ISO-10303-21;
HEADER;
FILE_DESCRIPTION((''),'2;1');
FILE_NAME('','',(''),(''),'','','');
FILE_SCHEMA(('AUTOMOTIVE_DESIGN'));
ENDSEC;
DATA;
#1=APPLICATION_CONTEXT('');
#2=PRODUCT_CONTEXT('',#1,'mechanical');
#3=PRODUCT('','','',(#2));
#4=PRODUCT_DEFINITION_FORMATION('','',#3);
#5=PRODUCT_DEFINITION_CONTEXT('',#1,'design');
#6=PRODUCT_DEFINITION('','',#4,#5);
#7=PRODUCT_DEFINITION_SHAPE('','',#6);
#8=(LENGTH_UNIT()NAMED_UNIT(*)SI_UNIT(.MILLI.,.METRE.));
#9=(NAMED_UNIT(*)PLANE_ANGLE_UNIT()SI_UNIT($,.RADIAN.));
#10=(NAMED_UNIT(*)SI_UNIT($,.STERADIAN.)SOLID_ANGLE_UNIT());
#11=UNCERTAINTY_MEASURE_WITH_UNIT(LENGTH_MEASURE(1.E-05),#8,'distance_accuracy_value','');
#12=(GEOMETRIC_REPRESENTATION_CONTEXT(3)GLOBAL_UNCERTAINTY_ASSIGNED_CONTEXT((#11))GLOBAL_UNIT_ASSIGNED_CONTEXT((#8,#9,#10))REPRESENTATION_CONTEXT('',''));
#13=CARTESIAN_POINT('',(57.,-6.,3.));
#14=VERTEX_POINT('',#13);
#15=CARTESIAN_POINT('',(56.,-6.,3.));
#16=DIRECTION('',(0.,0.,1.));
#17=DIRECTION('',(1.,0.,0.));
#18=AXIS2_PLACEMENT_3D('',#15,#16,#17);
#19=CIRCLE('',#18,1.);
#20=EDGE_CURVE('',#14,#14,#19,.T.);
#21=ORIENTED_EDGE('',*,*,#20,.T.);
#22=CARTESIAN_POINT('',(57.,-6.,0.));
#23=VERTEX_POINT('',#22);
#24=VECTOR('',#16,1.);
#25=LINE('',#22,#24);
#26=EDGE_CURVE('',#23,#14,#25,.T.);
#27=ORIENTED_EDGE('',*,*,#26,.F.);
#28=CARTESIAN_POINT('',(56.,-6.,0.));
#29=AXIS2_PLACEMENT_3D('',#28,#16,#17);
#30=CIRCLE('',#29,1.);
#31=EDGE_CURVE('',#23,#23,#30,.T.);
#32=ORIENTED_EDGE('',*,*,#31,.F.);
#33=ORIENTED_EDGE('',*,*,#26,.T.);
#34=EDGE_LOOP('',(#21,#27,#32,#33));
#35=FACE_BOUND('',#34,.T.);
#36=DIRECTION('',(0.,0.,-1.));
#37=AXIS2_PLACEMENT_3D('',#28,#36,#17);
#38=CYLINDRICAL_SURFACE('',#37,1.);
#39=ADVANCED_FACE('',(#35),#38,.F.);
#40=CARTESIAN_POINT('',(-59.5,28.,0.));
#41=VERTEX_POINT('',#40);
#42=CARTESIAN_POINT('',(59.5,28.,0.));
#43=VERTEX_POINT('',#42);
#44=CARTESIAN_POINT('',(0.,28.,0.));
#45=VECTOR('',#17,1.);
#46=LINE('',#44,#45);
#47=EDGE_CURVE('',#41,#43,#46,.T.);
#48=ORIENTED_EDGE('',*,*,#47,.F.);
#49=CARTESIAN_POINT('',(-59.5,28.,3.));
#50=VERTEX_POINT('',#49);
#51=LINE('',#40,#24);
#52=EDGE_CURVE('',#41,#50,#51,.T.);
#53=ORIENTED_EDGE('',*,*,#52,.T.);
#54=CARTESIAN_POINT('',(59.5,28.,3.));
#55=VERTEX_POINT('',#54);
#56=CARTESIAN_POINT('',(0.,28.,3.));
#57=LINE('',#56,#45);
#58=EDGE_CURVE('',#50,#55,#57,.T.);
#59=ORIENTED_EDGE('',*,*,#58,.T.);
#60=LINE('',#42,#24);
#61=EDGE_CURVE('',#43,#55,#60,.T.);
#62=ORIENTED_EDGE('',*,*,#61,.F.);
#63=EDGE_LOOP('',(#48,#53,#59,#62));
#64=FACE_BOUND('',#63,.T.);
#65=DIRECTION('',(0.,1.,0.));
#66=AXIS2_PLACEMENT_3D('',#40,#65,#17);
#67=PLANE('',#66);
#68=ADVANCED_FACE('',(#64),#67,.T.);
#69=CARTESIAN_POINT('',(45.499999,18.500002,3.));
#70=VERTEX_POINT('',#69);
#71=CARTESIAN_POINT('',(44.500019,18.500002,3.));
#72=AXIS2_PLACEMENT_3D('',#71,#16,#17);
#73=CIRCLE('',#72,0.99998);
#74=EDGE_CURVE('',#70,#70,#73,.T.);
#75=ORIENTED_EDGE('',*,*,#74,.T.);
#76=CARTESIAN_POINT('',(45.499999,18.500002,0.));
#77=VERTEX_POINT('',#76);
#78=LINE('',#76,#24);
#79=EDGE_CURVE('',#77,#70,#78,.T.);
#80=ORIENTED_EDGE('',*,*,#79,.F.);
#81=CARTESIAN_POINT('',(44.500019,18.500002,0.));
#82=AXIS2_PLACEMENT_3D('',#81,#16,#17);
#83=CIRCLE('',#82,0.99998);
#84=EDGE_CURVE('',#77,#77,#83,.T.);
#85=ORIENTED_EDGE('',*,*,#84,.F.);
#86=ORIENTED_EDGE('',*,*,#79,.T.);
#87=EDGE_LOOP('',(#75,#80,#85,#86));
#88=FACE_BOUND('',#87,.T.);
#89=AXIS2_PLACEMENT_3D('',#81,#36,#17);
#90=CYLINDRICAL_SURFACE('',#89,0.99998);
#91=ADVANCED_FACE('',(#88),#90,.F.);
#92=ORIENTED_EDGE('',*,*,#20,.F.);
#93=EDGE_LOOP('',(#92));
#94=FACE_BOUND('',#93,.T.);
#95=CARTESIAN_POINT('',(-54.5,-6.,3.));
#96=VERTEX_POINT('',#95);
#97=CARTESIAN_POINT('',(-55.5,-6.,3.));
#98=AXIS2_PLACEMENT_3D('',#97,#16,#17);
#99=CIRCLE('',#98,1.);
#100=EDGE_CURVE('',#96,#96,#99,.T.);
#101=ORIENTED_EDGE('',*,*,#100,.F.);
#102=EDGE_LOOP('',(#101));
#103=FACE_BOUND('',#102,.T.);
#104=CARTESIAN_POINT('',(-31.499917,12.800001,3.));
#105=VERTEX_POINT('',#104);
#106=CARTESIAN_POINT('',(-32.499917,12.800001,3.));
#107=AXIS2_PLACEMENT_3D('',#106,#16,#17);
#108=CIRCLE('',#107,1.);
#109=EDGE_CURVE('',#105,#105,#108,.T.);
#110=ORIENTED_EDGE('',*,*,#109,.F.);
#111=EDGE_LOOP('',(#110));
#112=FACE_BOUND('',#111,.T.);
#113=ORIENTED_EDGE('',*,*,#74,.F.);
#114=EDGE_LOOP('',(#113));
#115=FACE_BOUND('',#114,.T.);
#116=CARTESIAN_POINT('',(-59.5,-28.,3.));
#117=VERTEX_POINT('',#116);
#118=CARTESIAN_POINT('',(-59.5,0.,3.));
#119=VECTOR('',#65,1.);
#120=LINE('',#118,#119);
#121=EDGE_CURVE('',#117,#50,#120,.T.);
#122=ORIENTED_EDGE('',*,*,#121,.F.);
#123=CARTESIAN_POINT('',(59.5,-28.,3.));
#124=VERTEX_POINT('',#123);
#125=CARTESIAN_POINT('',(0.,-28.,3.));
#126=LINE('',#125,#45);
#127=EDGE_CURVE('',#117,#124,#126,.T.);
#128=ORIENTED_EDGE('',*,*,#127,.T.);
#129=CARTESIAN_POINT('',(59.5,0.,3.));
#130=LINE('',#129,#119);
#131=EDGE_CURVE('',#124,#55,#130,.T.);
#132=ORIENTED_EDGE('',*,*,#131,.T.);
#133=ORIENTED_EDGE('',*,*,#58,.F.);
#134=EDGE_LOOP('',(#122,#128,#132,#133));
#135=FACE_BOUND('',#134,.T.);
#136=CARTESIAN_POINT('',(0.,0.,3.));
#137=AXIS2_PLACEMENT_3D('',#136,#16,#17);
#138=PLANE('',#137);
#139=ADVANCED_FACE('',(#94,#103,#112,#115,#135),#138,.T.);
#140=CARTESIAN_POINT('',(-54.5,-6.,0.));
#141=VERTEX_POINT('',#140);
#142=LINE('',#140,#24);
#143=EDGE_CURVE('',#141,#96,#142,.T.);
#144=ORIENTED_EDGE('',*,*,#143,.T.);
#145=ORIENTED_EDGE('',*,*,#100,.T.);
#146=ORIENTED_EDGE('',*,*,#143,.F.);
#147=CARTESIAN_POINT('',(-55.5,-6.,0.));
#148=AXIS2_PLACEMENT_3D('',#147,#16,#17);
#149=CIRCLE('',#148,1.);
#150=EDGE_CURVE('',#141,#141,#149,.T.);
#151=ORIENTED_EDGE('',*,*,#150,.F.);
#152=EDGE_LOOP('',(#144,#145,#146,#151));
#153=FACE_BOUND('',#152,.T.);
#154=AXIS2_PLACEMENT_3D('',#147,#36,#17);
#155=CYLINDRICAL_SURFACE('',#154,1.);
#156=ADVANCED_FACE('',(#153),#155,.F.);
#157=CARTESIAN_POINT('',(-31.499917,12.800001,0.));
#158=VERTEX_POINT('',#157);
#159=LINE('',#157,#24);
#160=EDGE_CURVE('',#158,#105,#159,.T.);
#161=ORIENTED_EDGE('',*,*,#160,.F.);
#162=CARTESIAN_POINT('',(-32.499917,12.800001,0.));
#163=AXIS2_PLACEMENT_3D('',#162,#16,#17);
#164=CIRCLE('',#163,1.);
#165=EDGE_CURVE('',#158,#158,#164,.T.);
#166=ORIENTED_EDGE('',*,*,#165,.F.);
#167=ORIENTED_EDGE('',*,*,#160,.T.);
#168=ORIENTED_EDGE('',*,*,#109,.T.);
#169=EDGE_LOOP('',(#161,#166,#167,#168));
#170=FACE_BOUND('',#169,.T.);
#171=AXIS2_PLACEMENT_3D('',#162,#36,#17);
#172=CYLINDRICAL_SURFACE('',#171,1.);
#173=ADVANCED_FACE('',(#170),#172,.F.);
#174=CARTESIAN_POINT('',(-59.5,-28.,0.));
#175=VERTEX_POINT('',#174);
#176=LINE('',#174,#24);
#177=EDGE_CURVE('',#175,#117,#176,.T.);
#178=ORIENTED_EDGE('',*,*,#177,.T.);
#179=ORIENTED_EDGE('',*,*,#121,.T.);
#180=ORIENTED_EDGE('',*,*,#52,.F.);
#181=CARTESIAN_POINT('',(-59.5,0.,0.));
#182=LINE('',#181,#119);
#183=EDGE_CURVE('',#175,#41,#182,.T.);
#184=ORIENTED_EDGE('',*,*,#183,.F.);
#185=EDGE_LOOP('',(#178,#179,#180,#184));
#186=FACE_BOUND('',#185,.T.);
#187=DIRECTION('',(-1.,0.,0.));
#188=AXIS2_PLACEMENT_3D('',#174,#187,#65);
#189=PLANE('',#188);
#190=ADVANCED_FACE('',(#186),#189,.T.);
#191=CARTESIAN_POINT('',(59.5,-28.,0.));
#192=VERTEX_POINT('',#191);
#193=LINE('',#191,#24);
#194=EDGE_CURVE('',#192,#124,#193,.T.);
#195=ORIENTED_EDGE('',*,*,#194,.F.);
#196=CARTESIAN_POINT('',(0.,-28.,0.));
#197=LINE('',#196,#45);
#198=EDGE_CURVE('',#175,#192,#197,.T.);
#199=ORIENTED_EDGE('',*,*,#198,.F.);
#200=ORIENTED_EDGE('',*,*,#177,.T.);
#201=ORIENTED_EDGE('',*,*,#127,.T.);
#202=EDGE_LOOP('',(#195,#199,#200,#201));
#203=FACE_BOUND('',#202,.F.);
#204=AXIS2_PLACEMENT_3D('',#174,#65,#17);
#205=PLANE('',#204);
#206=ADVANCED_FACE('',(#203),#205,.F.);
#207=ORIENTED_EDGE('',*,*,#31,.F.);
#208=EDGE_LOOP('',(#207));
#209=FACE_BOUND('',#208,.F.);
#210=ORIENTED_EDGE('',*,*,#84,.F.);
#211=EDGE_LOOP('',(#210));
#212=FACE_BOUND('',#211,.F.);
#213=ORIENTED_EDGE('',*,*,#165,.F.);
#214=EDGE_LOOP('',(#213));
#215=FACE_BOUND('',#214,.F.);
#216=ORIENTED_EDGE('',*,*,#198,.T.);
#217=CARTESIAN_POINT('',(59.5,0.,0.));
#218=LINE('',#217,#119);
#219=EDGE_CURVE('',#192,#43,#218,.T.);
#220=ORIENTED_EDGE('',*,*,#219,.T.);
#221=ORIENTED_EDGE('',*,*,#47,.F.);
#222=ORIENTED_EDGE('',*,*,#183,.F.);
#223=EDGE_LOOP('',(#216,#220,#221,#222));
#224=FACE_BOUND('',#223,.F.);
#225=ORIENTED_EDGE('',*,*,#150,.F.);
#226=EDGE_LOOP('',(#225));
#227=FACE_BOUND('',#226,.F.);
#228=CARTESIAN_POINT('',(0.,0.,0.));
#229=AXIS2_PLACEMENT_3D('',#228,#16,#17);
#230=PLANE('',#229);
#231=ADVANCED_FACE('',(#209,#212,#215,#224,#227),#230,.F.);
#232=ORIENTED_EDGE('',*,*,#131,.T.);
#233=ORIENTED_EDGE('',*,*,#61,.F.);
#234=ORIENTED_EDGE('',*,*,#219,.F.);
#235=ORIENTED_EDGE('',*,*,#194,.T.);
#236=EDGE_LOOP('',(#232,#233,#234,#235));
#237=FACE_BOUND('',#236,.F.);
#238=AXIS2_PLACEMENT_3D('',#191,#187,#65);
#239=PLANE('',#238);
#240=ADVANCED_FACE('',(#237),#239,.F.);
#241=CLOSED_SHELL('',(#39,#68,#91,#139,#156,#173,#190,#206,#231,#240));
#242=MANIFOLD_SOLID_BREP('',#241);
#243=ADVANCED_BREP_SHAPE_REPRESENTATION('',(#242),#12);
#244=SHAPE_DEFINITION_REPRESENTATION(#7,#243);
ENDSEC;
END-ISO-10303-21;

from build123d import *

# Parameters (mm, degrees)
F0_W     = 119
F0_H     = 56
F0_R     = 1
F0_R_2   = 0.99998
F1_DEPTH = 3


with BuildPart() as f1:
    # F0 (on Top) → F1 (new body)
    with BuildSketch(Plane.XY):
        Rectangle(F0_W, F0_H)
        with Locations((-55.5, -6)):
            Circle(F0_R, mode=Mode.SUBTRACT)
        with Locations((56, -6)):
            Circle(F0_R, mode=Mode.SUBTRACT)
        with Locations((-32.499917, 12.800001)):
            Circle(F0_R, mode=Mode.SUBTRACT)
        with Locations((44.500019, 18.500002)):
            Circle(F0_R_2, mode=Mode.SUBTRACT)
    extrude(amount=F1_DEPTH)


solid = f1.part
